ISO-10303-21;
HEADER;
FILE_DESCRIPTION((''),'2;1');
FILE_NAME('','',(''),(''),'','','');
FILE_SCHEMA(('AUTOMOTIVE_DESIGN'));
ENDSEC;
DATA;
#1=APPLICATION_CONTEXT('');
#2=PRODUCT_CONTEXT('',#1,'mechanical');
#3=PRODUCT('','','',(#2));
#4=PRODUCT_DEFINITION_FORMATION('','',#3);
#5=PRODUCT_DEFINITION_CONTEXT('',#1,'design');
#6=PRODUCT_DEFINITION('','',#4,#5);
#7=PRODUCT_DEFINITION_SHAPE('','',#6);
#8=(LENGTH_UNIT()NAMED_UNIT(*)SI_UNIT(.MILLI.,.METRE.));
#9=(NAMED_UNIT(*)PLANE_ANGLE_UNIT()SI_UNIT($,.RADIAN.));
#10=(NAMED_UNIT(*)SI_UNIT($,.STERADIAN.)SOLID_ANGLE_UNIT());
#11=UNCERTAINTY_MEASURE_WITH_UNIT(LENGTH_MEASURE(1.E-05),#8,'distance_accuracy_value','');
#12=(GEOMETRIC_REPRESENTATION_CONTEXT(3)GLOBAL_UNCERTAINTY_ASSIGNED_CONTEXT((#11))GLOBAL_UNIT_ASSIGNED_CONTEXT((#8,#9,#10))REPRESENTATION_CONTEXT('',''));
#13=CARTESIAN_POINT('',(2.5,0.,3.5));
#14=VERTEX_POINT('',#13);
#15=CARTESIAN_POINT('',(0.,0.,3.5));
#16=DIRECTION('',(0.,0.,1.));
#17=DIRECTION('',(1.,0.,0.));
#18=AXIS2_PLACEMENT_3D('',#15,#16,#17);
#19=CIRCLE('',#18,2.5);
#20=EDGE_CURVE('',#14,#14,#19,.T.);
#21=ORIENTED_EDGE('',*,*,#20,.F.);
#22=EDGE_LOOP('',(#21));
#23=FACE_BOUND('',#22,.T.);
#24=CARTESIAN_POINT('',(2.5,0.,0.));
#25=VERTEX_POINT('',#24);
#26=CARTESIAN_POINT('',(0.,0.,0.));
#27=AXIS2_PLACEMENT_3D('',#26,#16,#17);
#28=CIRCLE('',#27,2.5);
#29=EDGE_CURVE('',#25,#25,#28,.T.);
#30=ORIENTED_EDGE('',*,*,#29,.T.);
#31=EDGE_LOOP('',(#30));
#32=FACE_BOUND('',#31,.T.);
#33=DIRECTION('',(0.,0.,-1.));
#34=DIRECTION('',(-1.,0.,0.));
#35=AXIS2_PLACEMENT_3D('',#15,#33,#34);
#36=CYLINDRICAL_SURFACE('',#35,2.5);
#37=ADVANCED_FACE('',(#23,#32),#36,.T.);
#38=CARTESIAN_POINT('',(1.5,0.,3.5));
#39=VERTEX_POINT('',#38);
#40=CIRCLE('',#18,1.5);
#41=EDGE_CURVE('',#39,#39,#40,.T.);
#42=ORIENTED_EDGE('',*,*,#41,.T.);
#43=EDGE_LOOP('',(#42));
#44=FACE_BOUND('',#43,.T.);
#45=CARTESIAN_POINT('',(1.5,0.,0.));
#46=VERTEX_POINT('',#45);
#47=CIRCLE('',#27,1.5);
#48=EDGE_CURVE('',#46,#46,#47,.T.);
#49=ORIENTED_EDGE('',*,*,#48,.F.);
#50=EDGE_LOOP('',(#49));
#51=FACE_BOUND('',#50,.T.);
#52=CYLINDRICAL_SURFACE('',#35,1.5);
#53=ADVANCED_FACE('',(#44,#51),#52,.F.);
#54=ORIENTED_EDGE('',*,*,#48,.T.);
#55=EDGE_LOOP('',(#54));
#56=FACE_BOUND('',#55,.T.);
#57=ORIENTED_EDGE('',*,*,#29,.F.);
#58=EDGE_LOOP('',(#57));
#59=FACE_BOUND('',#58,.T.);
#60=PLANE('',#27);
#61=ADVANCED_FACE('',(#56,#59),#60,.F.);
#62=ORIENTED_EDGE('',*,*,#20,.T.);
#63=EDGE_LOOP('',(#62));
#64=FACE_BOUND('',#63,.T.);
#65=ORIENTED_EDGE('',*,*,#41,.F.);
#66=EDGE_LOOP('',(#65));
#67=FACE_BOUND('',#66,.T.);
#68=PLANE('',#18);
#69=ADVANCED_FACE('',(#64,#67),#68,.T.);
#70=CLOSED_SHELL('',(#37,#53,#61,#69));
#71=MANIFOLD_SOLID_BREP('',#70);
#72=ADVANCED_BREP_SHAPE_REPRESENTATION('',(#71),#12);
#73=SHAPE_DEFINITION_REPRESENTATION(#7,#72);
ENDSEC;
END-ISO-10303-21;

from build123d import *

# Parameters (mm, degrees)
SKETCH2_R           = 2.5
SKETCH2_R_2         = 1.5
BOSS_EXTRUDE1_DEPTH = 3.5


with BuildPart() as part:
    # Sketch2 → Boss-Extrude1 (new body)
    with BuildSketch(Plane.XY):
        Circle(SKETCH2_R)
        Circle(SKETCH2_R_2, mode=Mode.SUBTRACT)
    extrude(amount=BOSS_EXTRUDE1_DEPTH)


solid = part.part
